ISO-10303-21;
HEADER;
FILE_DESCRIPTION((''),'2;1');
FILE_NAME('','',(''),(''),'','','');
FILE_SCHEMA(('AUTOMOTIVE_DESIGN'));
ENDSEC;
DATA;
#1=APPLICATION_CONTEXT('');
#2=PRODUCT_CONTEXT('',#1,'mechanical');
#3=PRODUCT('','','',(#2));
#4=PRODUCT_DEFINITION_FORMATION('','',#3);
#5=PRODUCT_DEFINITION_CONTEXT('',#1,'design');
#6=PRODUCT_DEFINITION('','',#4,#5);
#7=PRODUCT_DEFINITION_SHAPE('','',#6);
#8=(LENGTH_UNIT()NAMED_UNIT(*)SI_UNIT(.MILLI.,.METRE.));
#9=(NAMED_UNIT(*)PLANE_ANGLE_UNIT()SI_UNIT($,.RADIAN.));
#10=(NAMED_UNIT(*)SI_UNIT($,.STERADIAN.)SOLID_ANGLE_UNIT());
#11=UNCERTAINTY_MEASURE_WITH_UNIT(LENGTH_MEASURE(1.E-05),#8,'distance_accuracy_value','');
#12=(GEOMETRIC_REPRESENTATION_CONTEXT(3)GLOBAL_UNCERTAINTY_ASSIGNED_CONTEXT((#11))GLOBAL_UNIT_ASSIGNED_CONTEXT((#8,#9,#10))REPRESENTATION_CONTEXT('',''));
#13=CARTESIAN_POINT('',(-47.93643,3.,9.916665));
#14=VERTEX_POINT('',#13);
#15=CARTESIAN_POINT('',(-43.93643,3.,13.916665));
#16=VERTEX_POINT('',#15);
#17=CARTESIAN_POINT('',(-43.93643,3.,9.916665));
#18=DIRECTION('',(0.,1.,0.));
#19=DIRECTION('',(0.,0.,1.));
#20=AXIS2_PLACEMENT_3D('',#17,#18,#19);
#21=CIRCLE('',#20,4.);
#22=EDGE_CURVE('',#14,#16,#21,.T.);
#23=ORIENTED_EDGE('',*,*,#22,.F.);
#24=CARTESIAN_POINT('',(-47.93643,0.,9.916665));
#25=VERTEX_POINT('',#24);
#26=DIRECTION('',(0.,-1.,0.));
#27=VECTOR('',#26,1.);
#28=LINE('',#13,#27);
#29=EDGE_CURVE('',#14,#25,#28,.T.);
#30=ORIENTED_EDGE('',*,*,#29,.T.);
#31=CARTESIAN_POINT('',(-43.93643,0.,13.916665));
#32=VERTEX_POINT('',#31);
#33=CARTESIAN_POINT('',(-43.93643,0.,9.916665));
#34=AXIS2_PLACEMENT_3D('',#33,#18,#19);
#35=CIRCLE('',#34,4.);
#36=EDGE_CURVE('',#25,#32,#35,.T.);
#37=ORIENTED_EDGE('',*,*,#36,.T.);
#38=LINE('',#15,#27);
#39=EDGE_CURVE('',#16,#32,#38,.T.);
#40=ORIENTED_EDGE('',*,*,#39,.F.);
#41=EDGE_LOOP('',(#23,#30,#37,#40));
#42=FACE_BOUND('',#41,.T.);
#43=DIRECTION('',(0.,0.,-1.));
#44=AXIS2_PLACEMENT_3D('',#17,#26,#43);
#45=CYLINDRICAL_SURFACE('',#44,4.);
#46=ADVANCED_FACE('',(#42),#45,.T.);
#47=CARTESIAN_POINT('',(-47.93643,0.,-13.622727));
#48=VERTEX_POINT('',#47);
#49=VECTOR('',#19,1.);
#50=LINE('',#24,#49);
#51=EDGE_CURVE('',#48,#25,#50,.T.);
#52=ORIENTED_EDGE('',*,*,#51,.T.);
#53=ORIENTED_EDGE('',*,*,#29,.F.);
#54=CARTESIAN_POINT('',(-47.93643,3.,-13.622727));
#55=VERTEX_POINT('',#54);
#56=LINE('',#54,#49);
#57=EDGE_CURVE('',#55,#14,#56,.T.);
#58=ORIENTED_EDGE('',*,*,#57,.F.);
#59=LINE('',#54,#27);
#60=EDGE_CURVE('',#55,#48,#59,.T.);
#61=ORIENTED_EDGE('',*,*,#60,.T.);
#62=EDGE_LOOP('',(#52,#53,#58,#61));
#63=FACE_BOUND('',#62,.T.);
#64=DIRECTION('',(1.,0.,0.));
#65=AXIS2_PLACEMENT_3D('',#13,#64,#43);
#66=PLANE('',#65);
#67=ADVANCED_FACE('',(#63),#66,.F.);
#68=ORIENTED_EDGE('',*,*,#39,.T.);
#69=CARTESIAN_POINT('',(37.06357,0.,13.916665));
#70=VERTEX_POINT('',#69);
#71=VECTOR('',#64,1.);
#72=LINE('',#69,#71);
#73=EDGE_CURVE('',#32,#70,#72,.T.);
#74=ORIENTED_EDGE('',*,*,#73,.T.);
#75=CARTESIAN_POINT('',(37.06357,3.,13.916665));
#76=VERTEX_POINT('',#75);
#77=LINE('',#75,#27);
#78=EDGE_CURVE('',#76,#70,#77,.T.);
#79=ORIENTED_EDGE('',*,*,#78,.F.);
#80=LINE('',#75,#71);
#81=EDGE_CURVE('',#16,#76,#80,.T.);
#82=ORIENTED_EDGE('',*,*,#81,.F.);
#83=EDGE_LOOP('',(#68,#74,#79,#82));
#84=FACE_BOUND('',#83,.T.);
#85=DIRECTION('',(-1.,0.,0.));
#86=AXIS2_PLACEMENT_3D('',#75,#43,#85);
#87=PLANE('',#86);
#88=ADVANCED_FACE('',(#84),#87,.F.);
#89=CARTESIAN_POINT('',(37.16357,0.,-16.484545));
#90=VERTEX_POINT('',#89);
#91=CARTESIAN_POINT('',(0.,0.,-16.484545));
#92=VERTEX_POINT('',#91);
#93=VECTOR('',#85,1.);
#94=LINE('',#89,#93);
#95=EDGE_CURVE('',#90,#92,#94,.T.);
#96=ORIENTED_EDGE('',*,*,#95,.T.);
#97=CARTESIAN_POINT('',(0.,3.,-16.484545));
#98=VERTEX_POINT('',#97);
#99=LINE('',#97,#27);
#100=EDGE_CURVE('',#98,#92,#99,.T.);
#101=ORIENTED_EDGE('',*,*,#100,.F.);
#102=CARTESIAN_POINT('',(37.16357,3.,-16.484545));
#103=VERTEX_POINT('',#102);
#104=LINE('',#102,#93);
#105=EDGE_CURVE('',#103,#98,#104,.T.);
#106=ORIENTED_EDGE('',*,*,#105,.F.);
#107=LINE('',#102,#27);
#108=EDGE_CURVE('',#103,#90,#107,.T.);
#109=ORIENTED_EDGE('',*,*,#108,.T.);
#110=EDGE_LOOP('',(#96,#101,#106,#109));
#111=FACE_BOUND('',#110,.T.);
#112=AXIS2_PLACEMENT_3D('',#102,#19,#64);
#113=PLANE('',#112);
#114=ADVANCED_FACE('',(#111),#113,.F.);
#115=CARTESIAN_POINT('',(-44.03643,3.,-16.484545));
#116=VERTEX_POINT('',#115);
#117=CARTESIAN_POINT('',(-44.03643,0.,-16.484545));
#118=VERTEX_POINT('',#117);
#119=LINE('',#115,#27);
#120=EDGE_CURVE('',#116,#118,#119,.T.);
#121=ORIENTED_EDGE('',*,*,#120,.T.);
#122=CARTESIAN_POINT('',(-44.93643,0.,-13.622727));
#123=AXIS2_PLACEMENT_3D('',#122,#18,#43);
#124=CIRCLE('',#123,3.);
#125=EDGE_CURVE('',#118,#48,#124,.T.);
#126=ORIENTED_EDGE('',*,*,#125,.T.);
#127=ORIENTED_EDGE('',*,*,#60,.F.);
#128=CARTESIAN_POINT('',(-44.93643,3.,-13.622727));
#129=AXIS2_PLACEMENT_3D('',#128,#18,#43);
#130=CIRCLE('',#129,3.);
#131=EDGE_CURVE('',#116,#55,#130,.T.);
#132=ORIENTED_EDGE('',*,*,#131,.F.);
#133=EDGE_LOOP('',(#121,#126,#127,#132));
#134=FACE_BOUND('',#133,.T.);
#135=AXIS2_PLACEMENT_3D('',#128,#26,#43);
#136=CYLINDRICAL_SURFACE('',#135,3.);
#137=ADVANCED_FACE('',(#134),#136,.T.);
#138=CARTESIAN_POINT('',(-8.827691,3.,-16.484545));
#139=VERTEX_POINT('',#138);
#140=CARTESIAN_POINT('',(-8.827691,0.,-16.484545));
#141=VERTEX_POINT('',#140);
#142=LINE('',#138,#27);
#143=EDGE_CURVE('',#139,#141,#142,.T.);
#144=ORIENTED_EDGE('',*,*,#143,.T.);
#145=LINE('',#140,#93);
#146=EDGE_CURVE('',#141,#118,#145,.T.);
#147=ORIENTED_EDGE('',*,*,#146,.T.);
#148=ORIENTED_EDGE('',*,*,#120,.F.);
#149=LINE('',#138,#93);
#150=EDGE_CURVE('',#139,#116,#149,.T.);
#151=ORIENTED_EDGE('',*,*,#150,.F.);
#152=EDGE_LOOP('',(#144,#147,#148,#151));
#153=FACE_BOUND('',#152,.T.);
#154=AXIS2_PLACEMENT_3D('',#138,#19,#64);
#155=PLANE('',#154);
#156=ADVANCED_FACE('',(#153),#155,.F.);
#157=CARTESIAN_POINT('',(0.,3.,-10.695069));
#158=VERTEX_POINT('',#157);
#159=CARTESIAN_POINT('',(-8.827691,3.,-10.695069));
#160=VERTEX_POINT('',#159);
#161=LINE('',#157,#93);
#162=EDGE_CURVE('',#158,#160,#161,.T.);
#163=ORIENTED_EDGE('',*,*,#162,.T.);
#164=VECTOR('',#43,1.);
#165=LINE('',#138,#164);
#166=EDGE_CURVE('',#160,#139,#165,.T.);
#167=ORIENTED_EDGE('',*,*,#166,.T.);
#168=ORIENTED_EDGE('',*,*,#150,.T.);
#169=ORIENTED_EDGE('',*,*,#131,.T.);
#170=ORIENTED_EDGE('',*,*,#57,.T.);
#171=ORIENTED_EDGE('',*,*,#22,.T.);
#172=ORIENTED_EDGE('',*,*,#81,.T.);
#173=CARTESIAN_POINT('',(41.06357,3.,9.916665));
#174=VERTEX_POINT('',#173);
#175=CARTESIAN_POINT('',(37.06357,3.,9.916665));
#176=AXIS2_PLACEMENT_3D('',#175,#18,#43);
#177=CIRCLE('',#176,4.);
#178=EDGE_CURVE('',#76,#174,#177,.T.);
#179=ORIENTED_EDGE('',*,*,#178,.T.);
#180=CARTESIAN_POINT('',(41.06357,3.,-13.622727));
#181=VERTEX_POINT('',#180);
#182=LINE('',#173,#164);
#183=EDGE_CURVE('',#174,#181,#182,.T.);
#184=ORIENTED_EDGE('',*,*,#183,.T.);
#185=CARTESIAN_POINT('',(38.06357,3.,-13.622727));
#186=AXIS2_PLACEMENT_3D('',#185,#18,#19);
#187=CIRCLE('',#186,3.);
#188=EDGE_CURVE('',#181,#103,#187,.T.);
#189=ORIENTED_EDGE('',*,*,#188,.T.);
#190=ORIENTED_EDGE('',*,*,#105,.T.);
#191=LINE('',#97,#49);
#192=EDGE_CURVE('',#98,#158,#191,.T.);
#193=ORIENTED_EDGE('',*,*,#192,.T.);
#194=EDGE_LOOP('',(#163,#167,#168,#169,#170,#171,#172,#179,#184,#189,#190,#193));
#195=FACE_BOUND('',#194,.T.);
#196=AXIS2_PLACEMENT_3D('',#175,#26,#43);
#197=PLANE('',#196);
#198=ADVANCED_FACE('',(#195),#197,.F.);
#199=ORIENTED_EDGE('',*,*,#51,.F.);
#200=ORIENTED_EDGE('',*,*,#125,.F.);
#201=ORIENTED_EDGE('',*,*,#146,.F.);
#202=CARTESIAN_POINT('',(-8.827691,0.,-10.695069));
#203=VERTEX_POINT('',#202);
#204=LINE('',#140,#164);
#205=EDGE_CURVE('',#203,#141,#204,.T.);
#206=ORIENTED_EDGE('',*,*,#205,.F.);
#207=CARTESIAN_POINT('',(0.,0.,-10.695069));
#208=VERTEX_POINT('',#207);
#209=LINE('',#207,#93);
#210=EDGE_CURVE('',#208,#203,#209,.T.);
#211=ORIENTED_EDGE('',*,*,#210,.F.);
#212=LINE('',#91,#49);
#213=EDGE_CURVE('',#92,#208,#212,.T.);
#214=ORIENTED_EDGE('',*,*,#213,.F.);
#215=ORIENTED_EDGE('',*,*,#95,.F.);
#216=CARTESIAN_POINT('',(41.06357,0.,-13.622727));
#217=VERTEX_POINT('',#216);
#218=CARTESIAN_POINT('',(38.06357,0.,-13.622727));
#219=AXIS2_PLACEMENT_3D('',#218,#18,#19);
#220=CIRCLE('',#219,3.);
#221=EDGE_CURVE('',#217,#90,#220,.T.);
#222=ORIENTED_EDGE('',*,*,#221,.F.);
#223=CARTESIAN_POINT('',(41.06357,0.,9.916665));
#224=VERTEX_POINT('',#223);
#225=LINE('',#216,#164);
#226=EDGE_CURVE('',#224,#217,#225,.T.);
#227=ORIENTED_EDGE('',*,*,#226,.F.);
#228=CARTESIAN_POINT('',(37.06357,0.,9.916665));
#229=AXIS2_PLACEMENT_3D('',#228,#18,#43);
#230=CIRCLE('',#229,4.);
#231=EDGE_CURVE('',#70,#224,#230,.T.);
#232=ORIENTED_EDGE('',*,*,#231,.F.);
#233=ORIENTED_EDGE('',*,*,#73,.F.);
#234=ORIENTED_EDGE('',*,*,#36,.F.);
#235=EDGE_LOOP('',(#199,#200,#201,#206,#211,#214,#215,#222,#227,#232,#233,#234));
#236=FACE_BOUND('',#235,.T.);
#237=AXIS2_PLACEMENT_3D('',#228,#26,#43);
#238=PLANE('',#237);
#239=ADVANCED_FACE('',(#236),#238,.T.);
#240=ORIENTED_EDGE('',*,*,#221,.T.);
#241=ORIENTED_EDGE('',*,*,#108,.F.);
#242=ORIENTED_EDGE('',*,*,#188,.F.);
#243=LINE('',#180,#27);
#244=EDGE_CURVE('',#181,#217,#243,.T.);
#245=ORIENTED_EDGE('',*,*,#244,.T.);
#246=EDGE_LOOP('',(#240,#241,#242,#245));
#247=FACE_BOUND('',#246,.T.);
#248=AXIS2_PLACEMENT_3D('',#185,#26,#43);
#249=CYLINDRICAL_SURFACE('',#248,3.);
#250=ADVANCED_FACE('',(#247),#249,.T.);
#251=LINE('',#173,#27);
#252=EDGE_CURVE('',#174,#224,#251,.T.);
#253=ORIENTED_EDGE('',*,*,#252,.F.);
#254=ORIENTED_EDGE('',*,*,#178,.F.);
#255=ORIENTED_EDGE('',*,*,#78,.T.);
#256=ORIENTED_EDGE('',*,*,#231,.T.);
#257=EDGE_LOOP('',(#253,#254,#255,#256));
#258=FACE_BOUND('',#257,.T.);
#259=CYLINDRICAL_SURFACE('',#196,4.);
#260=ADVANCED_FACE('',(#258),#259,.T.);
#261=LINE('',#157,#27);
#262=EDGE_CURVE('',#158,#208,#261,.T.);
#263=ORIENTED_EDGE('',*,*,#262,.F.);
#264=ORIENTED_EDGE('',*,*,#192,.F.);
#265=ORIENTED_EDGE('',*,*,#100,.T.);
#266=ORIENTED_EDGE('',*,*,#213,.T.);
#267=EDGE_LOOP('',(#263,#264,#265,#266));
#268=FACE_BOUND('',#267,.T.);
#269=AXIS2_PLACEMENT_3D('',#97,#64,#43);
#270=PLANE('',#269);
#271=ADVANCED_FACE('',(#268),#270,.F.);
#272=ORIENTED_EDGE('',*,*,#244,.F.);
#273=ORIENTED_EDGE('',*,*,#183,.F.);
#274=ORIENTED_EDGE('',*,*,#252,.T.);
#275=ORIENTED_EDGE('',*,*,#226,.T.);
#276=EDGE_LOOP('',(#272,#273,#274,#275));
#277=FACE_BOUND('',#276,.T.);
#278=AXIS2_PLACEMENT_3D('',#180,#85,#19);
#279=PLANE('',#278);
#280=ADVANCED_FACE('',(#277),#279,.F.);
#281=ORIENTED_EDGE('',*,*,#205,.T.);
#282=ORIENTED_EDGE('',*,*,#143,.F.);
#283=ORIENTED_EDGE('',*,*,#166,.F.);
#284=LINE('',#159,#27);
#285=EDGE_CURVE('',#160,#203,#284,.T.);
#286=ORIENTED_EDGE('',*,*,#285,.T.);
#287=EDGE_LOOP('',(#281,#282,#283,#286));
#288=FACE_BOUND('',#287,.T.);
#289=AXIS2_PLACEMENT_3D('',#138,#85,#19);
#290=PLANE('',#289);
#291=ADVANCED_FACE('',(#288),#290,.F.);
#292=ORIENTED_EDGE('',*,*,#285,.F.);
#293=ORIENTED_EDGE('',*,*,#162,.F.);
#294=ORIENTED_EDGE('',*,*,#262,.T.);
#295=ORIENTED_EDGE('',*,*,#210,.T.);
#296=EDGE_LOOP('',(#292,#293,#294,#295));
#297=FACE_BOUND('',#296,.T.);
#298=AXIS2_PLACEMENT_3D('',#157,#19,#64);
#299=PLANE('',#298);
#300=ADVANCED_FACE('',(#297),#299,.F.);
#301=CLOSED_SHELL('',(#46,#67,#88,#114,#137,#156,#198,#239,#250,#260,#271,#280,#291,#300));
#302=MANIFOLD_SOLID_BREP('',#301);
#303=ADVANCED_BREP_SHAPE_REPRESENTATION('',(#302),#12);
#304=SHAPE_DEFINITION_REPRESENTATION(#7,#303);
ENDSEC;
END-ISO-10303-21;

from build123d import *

# Parameters (mm, degrees)
RESSALTO_EXTRUS_O1_DEPTH = 3


with BuildPart() as part:
    # Esboço1 → Ressalto-extrusão1 (new body)
    with BuildSketch(Plane(origin=(0, 0, 0), x_dir=(1, 0, 0), z_dir=(0, 1, 0))):
        with BuildLine():
            Line((37.16356961, 16.484544918), (0, 16.484544918))
            Line((0, 16.484544918), (0, 10.69506871))
            Line((0, 10.69506871), (-8.827691361, 10.69506871))
            Line((-8.827691361, 10.69506871), (-8.827691361, 16.484544918))
            Line((-8.827691361, 16.484544918), (-44.03643039, 16.484544918))
            ThreePointArc((-44.03643039, 16.484544918), (-46.711254325, 16.041404638), (-47.93643039, 13.622727314))
            Line((-47.93643039, 13.622727314), (-47.93643039, 4.0833353))
            Line((-47.93643039, 4.0833353), (-47.93643039, -9.9166647))
            ThreePointArc((-47.93643039, -9.9166647), (-46.764857515, -12.745091825), (-43.93643039, -13.9166647))
            Line((-43.93643039, -13.9166647), (37.06356961, -13.9166647))
            ThreePointArc((37.06356961, -13.9166647), (39.891996735, -12.745091825), (41.06356961, -9.9166647))
            Line((41.06356961, -9.9166647), (41.06356961, 4.0833353))
            Line((41.06356961, 4.0833353), (41.06356961, 13.622727314))
            ThreePointArc((41.06356961, 13.622727314), (39.838393545, 16.041404638), (37.16356961, 16.484544918))
        make_face()
    extrude(amount=RESSALTO_EXTRUS_O1_DEPTH)


solid = part.part
